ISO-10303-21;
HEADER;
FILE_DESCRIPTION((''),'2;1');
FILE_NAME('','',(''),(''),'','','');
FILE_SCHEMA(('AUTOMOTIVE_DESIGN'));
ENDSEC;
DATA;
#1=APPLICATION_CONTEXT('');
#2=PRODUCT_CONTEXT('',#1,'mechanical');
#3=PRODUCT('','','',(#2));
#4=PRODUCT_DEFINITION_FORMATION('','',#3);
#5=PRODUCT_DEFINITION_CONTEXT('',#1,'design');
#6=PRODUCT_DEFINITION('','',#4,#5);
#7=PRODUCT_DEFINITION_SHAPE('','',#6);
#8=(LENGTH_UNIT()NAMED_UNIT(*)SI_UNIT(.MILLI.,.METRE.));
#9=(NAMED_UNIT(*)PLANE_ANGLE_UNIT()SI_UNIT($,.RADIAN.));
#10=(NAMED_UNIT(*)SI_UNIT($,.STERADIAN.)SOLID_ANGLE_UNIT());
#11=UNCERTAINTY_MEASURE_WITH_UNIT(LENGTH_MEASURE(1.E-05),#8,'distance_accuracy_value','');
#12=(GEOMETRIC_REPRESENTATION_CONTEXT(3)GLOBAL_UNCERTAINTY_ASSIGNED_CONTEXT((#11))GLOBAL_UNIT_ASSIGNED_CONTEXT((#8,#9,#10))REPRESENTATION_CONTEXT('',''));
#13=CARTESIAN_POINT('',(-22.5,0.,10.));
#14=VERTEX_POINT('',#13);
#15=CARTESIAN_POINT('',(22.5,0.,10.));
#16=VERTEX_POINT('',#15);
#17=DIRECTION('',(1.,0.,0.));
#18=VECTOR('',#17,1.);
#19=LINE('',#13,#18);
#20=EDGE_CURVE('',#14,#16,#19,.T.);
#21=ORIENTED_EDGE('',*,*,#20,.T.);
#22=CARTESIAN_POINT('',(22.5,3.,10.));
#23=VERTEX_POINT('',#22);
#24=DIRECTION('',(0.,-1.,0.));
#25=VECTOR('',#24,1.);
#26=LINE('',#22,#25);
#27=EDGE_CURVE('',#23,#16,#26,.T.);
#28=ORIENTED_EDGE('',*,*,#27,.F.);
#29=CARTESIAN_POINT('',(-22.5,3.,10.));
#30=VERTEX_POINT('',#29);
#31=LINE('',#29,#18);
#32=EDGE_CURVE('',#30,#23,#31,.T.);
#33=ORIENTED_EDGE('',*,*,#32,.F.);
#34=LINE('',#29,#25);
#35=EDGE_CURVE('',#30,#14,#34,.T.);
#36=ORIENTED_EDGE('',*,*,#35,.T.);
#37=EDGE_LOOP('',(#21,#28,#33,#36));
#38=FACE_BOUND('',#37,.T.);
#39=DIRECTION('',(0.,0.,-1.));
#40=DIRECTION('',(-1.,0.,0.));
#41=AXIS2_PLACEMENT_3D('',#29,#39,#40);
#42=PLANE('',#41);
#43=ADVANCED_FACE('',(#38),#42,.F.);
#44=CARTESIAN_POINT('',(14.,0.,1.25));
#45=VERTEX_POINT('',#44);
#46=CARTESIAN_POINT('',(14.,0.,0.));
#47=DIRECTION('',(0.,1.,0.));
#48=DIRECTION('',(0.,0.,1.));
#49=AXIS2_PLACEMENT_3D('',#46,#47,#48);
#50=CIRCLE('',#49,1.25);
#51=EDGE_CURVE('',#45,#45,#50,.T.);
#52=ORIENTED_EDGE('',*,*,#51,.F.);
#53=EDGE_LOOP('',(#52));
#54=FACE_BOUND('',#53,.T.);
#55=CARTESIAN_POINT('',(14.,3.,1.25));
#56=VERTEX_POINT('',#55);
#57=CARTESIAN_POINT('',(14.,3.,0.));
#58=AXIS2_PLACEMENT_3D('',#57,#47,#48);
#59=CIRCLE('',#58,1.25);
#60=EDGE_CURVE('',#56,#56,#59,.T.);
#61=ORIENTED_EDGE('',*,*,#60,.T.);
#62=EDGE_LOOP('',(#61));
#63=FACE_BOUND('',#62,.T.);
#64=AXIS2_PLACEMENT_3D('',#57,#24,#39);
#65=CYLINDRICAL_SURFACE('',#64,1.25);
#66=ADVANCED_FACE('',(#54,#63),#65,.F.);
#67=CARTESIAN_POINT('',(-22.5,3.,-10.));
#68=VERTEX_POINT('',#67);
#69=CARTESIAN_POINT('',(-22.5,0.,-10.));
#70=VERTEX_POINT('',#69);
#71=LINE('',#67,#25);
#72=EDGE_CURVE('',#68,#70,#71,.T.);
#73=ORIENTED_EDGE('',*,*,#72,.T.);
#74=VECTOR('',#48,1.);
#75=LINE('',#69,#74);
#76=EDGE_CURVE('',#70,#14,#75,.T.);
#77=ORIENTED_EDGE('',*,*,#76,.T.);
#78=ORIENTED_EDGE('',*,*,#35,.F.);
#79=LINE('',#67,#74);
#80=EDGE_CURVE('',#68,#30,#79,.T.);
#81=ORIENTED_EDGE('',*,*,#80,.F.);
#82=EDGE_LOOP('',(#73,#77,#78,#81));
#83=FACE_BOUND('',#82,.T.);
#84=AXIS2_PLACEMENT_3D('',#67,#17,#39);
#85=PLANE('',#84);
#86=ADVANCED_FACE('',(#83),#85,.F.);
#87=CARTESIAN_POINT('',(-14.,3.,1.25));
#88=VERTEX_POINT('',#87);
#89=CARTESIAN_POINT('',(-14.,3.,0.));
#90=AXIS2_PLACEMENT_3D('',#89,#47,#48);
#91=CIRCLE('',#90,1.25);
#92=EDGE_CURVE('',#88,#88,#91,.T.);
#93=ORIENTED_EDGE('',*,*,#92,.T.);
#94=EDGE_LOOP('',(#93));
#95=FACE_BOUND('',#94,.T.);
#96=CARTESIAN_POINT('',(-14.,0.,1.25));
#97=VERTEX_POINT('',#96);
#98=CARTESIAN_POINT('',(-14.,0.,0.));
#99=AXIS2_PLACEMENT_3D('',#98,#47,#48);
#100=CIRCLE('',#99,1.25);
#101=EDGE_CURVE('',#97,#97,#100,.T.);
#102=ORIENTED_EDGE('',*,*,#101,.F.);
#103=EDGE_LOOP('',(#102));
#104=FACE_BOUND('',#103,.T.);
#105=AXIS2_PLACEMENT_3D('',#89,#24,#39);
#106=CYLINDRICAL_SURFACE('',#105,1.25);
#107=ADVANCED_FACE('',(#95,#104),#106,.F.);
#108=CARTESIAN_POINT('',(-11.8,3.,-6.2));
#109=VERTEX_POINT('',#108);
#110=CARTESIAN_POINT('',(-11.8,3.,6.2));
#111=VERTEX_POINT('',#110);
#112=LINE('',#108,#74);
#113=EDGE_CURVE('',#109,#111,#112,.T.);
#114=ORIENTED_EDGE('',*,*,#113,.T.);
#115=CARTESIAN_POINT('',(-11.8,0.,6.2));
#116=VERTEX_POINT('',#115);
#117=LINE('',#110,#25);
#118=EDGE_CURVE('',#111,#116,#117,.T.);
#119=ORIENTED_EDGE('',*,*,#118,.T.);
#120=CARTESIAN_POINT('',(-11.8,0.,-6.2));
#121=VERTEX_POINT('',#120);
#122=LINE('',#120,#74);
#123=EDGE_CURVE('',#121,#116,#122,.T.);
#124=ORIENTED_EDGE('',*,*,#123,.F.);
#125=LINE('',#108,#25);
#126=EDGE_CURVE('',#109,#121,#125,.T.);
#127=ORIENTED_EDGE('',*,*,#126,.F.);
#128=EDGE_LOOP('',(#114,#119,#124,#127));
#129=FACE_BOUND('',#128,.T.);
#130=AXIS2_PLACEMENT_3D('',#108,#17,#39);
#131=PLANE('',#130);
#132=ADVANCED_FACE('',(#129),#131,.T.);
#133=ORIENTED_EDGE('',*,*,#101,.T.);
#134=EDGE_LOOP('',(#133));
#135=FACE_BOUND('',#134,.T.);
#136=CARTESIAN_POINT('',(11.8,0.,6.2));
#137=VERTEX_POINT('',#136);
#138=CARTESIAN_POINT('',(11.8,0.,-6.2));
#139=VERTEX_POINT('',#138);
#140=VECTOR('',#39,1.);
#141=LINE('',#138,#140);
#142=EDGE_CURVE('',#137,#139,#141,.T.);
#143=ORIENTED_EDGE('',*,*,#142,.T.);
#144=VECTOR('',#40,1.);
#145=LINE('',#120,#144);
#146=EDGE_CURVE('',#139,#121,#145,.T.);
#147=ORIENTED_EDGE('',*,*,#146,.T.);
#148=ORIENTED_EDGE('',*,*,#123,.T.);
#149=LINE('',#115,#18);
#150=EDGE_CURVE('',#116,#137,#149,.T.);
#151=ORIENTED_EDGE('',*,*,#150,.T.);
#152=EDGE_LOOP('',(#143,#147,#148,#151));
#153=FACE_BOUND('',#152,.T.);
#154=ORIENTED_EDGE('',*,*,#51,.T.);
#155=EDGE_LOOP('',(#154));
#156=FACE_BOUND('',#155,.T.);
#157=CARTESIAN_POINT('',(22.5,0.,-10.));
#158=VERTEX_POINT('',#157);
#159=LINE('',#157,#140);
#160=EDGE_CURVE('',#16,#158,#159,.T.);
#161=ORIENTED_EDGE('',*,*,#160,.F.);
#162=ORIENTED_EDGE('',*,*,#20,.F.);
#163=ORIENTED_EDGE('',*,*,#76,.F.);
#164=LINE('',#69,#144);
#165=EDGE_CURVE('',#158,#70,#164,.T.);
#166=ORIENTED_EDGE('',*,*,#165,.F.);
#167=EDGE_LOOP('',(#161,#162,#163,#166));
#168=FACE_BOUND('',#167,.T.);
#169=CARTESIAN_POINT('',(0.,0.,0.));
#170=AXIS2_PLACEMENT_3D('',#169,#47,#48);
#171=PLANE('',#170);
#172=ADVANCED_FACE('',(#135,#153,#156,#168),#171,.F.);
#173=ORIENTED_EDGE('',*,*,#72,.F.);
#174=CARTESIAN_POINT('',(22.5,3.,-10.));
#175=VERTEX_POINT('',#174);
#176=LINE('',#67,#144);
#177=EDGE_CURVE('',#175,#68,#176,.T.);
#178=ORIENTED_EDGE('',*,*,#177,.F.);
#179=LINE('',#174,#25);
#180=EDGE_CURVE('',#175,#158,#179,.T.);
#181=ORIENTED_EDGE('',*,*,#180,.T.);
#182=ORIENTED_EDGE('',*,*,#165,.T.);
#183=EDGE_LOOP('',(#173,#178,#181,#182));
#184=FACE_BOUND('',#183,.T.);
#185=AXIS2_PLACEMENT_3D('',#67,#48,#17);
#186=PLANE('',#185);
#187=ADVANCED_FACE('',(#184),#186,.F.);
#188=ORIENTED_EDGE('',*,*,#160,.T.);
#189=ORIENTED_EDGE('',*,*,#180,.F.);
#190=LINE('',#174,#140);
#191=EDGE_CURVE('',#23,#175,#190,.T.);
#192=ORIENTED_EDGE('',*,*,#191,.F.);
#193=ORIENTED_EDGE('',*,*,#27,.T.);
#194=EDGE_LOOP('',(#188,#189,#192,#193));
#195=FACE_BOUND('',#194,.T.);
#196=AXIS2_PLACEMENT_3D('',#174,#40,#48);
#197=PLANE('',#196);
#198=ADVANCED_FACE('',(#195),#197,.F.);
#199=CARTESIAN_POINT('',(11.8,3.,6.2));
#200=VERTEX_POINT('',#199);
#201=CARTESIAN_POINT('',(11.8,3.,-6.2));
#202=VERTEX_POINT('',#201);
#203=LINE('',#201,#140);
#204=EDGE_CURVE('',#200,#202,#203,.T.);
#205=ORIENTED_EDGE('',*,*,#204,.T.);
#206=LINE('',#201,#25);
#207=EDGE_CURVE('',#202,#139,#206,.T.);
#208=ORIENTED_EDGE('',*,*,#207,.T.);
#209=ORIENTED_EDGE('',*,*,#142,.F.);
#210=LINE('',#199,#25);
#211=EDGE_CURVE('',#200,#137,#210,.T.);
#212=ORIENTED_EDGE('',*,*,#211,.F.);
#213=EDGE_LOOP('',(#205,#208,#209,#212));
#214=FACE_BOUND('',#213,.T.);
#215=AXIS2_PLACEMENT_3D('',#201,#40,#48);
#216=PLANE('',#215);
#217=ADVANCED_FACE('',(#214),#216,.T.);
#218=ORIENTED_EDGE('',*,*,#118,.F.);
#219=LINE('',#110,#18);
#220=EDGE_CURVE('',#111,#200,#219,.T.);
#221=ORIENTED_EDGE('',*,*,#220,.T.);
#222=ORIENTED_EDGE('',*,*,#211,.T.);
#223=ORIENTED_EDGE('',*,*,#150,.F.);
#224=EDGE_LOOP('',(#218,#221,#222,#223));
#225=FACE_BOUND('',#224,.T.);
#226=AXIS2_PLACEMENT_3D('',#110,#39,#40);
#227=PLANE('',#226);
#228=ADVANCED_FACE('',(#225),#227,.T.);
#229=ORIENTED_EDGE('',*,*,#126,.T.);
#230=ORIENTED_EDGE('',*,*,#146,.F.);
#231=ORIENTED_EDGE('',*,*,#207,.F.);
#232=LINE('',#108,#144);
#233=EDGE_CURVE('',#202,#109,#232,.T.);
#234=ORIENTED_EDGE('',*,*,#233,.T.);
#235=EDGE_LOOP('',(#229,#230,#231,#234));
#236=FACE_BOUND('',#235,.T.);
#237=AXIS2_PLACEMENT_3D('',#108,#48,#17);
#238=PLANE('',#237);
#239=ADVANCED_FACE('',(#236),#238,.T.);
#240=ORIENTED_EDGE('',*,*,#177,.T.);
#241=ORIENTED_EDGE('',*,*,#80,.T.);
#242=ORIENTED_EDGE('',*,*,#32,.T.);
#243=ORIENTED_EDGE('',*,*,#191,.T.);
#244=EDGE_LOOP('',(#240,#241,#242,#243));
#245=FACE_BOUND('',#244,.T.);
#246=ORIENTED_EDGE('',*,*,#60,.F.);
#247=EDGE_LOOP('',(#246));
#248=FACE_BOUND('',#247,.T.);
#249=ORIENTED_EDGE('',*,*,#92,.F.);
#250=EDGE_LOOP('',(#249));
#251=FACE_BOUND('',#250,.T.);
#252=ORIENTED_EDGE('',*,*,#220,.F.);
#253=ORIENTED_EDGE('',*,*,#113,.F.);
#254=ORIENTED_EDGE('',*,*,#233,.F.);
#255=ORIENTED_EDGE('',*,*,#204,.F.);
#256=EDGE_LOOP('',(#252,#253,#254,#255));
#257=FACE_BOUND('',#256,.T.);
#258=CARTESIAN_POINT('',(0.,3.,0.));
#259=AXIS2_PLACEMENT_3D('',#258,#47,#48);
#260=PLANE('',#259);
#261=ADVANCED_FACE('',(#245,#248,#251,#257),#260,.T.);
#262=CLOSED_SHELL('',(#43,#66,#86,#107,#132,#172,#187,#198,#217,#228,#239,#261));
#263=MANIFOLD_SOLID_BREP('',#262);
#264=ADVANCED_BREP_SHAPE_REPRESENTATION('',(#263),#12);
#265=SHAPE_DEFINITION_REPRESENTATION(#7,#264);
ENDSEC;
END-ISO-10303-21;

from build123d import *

# Parameters (mm, degrees)
CROQUIS1_W              = 45
CROQUIS1_H              = 20
CROQUIS1_R              = 1.25
CROQUIS1_W_2            = 23.6
CROQUIS1_H_2            = 12.4
SALIENTE_EXTRUIR1_DEPTH = 3


with BuildPart() as part:
    # Croquis1 → Saliente-Extruir1 (new body)
    with BuildSketch(Plane(origin=(0, 0, 0), x_dir=(1, 0, 0), z_dir=(0, 1, 0))):
        Rectangle(CROQUIS1_W, CROQUIS1_H)
        with Locations(Location((14, 0, 0), (0, 0, 270))):
            Circle(CROQUIS1_R, mode=Mode.SUBTRACT)
        with Locations(Location((-14, 0, 0), (0, 0, 270))):
            Circle(CROQUIS1_R, mode=Mode.SUBTRACT)
        Rectangle(CROQUIS1_W_2, CROQUIS1_H_2, mode=Mode.SUBTRACT)
    extrude(amount=SALIENTE_EXTRUIR1_DEPTH)


solid = part.part
